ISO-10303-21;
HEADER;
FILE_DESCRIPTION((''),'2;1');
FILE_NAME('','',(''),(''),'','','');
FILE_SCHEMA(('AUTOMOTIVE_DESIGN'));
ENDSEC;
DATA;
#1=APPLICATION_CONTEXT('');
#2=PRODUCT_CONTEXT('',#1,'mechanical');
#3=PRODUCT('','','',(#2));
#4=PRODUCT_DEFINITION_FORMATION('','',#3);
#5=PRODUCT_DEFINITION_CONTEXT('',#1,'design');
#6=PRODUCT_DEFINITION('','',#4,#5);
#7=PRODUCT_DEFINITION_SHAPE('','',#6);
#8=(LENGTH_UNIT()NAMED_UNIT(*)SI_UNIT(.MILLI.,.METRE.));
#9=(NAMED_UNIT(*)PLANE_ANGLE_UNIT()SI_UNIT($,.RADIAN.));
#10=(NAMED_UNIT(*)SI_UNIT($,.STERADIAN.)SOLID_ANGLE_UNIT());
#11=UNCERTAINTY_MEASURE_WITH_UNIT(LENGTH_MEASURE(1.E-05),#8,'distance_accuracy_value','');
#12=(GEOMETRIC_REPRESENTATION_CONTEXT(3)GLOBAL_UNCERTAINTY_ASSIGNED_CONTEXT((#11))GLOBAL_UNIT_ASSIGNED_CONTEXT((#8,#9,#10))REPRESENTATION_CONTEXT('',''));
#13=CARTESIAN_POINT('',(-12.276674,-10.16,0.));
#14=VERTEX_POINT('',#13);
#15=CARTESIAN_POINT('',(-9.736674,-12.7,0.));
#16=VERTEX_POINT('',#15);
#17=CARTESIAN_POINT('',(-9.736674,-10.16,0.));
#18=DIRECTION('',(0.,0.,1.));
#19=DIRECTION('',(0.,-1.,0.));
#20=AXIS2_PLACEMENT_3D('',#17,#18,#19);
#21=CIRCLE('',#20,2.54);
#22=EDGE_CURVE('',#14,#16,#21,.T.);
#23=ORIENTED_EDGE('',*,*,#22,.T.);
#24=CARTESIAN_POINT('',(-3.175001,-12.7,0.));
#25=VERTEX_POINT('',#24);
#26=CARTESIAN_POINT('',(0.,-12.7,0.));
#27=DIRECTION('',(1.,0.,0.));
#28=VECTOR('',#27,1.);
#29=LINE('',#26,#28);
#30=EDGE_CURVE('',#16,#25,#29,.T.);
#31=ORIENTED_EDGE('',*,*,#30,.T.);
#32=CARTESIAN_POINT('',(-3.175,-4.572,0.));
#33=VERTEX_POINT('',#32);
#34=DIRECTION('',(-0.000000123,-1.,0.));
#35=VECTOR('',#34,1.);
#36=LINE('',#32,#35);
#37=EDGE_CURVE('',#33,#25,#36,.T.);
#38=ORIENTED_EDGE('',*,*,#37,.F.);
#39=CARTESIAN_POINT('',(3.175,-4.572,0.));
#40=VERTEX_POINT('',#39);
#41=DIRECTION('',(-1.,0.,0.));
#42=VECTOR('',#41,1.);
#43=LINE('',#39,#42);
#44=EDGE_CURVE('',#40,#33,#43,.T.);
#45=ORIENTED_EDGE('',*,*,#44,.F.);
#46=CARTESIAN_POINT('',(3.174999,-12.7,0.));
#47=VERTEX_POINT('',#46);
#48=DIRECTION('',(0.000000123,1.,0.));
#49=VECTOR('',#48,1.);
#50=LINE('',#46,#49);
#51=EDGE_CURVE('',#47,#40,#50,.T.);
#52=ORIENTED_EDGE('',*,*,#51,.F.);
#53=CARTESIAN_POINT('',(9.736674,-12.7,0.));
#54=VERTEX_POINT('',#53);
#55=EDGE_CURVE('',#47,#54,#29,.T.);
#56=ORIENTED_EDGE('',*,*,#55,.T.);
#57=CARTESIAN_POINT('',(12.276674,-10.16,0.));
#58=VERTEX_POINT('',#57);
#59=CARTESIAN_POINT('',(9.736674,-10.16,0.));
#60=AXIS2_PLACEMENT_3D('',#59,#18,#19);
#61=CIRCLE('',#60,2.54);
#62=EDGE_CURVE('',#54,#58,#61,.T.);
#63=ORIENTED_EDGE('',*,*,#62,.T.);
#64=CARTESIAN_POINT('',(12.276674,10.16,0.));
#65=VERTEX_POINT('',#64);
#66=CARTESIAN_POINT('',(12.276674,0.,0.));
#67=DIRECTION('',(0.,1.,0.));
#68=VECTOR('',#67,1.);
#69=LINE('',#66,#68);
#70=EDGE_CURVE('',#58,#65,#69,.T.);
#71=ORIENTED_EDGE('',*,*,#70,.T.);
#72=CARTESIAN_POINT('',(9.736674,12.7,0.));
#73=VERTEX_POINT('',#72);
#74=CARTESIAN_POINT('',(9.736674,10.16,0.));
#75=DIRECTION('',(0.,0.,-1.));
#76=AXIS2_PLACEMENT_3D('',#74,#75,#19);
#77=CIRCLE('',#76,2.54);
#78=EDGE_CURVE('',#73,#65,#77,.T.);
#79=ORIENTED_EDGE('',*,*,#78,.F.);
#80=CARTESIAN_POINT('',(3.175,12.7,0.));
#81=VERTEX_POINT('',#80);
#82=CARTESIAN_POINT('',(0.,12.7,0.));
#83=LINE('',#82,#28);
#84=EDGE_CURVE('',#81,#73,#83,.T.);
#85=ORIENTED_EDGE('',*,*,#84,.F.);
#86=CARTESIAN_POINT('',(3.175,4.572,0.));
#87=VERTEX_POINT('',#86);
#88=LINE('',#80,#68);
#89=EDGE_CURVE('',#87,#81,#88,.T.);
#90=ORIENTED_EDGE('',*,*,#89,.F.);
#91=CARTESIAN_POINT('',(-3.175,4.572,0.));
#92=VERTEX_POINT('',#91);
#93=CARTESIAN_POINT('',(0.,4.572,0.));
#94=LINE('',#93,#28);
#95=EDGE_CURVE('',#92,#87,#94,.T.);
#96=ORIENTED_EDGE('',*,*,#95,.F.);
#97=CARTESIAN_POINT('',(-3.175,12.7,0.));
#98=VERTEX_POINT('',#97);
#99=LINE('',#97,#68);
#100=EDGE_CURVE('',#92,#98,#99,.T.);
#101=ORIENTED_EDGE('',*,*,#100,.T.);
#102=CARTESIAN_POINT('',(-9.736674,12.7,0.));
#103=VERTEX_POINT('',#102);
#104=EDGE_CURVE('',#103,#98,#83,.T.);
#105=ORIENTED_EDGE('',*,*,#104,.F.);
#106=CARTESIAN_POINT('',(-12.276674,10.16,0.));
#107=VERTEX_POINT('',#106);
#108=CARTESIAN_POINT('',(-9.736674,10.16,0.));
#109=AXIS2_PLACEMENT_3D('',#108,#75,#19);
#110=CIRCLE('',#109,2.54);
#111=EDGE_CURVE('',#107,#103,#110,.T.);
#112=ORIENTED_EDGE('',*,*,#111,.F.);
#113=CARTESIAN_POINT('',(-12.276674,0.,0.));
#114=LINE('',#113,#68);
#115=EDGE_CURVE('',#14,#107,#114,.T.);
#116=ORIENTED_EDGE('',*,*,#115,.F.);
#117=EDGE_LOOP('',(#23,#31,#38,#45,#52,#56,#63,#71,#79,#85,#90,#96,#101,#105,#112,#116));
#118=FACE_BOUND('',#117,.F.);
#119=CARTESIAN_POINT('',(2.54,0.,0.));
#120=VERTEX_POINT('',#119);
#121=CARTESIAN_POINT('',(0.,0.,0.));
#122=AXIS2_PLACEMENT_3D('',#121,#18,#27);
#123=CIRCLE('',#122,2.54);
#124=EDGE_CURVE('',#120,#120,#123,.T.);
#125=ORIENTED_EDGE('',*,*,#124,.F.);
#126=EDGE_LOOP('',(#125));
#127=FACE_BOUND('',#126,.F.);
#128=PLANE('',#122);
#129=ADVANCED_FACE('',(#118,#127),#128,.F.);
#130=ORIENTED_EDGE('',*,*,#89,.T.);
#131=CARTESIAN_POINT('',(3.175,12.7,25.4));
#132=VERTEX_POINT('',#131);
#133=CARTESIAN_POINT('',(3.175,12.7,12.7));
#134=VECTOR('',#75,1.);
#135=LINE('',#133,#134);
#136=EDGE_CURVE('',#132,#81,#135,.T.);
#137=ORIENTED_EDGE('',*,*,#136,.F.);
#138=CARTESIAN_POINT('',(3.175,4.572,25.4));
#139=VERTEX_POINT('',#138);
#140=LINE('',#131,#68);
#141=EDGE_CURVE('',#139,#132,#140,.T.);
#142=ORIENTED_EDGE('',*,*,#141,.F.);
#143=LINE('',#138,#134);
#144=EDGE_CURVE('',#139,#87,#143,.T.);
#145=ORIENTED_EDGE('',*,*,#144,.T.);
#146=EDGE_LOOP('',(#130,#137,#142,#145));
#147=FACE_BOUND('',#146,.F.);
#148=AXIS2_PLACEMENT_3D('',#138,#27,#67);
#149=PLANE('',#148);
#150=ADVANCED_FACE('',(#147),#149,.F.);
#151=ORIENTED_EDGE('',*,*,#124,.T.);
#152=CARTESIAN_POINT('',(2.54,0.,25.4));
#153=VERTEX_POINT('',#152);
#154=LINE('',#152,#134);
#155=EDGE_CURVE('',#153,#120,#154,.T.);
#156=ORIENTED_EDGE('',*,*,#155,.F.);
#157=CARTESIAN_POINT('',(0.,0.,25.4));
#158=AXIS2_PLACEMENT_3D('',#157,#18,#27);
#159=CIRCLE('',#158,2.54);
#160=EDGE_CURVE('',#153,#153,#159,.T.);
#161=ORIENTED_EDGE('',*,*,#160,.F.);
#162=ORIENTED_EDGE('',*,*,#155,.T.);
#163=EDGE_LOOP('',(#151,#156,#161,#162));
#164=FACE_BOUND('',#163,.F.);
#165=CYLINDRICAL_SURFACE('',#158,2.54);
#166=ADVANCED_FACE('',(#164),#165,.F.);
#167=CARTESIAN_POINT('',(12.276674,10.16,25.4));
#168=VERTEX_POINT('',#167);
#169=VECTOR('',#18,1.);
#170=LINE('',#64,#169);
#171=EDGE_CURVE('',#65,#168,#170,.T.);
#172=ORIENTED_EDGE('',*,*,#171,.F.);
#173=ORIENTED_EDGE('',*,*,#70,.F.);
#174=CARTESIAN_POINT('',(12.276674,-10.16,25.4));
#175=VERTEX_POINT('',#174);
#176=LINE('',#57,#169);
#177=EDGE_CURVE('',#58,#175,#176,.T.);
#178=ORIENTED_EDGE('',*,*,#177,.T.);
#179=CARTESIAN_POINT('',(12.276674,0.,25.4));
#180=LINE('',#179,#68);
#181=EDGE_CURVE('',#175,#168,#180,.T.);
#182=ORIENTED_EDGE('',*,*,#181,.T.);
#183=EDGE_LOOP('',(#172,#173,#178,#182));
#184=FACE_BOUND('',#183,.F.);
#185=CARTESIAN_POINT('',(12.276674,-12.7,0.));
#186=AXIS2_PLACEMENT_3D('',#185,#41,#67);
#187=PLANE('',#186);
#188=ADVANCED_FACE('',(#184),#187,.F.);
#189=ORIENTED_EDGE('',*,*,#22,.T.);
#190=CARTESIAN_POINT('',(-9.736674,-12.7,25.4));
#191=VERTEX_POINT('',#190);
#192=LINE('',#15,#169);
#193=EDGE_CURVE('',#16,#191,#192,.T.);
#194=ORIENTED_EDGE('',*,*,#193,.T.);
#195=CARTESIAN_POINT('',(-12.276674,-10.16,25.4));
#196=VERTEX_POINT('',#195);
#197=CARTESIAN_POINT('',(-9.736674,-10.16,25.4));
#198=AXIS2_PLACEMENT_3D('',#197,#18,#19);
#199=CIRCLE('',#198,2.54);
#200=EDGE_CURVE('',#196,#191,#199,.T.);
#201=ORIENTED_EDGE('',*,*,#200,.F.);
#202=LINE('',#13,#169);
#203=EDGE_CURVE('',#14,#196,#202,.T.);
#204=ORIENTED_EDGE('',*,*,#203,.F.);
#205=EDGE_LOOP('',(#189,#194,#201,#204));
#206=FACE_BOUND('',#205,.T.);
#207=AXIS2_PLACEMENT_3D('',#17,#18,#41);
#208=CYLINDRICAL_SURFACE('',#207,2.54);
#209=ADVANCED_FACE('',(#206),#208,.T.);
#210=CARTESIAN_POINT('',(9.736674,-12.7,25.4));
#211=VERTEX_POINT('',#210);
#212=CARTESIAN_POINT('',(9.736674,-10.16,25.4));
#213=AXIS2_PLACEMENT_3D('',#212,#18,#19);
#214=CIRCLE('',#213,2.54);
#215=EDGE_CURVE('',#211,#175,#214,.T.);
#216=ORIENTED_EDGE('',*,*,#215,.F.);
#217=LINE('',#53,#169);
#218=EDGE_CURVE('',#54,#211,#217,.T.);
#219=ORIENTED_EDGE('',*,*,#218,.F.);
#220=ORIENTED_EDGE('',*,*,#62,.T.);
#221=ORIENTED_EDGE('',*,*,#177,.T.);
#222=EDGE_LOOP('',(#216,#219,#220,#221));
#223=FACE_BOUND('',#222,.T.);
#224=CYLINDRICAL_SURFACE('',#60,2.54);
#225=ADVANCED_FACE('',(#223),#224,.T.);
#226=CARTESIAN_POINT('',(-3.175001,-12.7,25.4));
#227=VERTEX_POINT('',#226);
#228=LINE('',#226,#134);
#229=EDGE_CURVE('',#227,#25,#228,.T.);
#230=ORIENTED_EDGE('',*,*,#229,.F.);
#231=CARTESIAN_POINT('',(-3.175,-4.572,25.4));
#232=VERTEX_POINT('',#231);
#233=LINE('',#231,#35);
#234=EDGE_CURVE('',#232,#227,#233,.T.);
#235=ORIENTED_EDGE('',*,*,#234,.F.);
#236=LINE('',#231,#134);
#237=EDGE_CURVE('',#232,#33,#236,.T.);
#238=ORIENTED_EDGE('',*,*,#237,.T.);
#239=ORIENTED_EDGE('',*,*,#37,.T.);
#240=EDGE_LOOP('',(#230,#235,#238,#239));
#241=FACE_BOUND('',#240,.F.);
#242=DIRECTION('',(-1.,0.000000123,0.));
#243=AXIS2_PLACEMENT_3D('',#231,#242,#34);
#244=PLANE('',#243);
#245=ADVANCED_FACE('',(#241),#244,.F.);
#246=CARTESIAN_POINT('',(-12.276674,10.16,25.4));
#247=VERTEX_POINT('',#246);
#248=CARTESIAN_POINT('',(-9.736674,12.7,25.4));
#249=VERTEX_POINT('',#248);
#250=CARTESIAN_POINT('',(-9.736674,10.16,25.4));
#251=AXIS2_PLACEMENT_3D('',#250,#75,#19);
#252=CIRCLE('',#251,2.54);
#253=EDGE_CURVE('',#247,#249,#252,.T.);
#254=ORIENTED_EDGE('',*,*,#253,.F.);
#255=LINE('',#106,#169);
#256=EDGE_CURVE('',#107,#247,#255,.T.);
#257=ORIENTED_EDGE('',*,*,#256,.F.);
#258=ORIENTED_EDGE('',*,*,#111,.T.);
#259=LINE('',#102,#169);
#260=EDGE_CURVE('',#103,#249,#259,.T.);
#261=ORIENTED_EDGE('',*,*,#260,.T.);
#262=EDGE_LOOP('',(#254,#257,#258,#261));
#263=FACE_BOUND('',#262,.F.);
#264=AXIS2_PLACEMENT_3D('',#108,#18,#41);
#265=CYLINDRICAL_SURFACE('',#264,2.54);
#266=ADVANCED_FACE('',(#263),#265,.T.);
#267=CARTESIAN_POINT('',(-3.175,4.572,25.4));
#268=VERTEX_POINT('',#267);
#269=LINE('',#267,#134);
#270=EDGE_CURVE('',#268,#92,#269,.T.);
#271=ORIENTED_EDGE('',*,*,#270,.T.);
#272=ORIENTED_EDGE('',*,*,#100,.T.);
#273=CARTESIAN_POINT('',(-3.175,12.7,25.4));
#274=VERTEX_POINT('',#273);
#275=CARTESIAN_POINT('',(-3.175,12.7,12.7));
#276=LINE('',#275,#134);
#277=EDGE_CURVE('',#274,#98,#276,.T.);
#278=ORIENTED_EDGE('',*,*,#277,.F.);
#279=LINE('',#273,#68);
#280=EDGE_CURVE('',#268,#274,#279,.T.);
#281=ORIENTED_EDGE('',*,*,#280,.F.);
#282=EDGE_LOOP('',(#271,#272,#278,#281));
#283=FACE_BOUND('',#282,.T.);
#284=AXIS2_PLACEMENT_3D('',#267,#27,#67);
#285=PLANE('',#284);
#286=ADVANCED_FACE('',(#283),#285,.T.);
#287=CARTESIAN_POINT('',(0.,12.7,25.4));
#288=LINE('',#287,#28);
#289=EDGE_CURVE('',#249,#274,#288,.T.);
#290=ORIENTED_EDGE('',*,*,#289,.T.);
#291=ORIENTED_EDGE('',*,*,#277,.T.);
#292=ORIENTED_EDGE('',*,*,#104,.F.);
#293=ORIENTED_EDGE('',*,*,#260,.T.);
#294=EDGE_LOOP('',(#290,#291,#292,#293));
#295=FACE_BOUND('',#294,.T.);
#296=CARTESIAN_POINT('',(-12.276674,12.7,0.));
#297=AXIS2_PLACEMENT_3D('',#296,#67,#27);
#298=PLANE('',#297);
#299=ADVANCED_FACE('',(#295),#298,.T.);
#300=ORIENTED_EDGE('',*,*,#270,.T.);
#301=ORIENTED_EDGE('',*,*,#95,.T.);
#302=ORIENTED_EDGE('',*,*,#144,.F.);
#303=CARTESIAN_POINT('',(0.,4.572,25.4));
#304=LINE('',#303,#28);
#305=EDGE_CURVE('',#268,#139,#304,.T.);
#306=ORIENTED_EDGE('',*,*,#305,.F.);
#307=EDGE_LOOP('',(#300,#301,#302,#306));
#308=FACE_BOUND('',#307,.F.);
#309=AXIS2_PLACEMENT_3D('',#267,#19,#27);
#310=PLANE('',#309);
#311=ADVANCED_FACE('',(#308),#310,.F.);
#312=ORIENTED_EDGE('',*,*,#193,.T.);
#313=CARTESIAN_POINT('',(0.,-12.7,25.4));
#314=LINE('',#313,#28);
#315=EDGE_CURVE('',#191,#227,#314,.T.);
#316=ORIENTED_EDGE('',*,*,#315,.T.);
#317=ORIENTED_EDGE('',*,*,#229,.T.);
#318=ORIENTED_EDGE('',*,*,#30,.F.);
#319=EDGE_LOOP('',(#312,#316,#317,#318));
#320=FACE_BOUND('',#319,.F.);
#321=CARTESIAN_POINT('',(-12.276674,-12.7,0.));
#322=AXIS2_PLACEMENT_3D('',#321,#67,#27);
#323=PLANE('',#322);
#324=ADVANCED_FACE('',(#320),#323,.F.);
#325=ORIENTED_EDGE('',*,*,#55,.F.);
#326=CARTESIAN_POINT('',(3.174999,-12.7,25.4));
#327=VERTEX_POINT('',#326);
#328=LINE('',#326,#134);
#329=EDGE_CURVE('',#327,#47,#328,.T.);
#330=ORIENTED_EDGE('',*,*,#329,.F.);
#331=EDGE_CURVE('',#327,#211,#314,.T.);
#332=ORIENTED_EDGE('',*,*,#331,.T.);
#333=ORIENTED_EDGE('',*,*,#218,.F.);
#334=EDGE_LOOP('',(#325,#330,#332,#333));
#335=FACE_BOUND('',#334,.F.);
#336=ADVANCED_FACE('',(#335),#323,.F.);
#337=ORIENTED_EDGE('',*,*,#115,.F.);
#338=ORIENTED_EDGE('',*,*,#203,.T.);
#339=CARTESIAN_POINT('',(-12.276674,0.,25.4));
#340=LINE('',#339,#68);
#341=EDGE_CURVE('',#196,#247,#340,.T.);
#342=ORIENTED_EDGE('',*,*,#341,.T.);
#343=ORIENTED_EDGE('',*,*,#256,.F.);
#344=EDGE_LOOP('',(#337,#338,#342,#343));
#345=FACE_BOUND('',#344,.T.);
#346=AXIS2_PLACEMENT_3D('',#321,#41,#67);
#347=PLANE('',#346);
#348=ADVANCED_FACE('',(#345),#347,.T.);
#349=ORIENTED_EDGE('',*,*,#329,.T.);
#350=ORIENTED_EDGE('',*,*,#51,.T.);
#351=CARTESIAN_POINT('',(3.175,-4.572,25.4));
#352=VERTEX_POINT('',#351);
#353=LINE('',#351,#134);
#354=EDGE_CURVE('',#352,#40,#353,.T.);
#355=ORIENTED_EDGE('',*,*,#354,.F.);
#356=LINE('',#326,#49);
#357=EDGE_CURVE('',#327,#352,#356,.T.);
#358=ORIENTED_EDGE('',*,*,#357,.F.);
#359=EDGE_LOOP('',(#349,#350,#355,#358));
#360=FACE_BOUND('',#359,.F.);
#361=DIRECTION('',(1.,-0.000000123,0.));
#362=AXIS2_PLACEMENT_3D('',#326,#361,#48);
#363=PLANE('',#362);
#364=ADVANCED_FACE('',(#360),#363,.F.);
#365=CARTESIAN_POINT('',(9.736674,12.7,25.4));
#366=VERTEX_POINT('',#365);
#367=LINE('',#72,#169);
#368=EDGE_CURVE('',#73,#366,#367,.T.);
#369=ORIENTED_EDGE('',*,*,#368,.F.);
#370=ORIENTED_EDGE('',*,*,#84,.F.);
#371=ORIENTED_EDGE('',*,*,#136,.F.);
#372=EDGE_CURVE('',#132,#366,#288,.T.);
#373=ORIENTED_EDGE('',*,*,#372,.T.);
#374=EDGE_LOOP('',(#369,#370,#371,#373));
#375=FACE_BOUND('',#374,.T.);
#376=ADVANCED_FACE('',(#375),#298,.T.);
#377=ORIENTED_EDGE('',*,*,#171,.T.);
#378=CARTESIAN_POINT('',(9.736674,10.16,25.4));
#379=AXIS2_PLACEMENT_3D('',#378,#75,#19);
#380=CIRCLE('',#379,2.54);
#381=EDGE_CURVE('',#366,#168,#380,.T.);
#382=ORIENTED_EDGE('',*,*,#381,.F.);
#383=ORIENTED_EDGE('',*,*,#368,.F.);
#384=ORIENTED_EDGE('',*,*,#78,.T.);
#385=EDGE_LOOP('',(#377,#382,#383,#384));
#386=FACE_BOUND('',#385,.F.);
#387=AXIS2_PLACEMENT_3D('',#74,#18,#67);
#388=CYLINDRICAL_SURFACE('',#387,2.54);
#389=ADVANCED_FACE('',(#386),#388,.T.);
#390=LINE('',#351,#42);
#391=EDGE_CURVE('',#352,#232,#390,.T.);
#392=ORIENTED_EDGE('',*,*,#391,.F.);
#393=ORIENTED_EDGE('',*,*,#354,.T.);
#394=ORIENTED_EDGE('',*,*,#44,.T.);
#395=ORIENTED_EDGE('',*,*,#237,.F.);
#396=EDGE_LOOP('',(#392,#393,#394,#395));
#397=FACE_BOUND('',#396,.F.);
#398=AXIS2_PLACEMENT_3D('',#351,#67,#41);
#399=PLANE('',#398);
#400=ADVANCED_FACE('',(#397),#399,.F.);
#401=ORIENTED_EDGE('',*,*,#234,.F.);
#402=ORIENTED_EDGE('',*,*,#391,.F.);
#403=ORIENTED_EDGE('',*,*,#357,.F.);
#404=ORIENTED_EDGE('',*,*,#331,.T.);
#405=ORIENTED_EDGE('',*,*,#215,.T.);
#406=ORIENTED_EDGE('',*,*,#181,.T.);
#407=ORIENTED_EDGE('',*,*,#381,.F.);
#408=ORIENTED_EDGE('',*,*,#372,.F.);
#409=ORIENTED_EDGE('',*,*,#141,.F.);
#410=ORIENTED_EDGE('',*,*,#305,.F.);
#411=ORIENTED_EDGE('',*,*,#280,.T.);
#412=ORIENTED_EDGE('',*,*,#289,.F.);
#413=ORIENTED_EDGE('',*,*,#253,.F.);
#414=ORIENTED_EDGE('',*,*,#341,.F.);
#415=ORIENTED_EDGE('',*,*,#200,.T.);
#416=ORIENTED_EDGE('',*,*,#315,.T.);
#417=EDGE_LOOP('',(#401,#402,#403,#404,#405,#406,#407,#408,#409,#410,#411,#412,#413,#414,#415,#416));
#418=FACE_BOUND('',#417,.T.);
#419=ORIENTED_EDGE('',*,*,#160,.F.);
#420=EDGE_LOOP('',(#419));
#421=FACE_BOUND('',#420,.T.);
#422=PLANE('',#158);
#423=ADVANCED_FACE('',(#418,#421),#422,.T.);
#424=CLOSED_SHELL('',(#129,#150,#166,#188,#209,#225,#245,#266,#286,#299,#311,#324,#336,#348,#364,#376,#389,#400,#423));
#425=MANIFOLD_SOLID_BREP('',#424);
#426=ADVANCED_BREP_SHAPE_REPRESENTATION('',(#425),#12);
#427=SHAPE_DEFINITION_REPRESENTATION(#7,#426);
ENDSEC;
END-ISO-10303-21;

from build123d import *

# Parameters (mm, degrees)
F0_W     = 24.553348
F0_H     = 25.4
F1_DEPTH = 25.4
F2_R     = 2.54
F3_DEPTH = 25.4
F4_R     = 2.54
F5_W     = 6.35
F5_H     = 16.256
F6_DEPTH = 25.4
F7_W     = 6.35
F7_H     = 8.128
F9_DEPTH = 25.4


with BuildPart() as f1:
    # F0 (on Top) → F1 (new body)
    with BuildSketch(Plane.XY):
        Rectangle(F0_W, F0_H)
    extrude(amount=F1_DEPTH)

    # F2 (on face) → F3 (cut)
    with BuildSketch(Plane.XY.offset(25.4)):
        Circle(F2_R)
    extrude(amount=-F3_DEPTH, mode=Mode.SUBTRACT)

    # F4
    f4_edges = [f1.edges().sort_by_distance(p)[0] for p in [
        (-12.276674, -12.7, 12.7),
        (-12.276674, 12.7, 12.7),
        (12.276674, -12.7, 12.7),
        (12.276674, 12.7, 12.7),
    ]]
    fillet(f4_edges, radius=F4_R)

    # F5 (on face) → F6 (cut)
    with BuildSketch(Plane.XY.offset(25.4)):
        with Locations((0, 12.7)):
            Rectangle(F5_W, F5_H)
    extrude(amount=-F6_DEPTH, mode=Mode.SUBTRACT)

    # F7 (on face) → F9 (cut)
    with BuildSketch(Plane.XY.offset(25.4)):
        with Locations((0, 8.636)):
            Rectangle(F7_W, F7_H)
        Polygon((-3.175, -4.572), (-3.175001, -12.7), (3.174999, -12.7), (3.175, -4.572), align=None)
    extrude(amount=-F9_DEPTH, mode=Mode.SUBTRACT)


solid = f1.part
